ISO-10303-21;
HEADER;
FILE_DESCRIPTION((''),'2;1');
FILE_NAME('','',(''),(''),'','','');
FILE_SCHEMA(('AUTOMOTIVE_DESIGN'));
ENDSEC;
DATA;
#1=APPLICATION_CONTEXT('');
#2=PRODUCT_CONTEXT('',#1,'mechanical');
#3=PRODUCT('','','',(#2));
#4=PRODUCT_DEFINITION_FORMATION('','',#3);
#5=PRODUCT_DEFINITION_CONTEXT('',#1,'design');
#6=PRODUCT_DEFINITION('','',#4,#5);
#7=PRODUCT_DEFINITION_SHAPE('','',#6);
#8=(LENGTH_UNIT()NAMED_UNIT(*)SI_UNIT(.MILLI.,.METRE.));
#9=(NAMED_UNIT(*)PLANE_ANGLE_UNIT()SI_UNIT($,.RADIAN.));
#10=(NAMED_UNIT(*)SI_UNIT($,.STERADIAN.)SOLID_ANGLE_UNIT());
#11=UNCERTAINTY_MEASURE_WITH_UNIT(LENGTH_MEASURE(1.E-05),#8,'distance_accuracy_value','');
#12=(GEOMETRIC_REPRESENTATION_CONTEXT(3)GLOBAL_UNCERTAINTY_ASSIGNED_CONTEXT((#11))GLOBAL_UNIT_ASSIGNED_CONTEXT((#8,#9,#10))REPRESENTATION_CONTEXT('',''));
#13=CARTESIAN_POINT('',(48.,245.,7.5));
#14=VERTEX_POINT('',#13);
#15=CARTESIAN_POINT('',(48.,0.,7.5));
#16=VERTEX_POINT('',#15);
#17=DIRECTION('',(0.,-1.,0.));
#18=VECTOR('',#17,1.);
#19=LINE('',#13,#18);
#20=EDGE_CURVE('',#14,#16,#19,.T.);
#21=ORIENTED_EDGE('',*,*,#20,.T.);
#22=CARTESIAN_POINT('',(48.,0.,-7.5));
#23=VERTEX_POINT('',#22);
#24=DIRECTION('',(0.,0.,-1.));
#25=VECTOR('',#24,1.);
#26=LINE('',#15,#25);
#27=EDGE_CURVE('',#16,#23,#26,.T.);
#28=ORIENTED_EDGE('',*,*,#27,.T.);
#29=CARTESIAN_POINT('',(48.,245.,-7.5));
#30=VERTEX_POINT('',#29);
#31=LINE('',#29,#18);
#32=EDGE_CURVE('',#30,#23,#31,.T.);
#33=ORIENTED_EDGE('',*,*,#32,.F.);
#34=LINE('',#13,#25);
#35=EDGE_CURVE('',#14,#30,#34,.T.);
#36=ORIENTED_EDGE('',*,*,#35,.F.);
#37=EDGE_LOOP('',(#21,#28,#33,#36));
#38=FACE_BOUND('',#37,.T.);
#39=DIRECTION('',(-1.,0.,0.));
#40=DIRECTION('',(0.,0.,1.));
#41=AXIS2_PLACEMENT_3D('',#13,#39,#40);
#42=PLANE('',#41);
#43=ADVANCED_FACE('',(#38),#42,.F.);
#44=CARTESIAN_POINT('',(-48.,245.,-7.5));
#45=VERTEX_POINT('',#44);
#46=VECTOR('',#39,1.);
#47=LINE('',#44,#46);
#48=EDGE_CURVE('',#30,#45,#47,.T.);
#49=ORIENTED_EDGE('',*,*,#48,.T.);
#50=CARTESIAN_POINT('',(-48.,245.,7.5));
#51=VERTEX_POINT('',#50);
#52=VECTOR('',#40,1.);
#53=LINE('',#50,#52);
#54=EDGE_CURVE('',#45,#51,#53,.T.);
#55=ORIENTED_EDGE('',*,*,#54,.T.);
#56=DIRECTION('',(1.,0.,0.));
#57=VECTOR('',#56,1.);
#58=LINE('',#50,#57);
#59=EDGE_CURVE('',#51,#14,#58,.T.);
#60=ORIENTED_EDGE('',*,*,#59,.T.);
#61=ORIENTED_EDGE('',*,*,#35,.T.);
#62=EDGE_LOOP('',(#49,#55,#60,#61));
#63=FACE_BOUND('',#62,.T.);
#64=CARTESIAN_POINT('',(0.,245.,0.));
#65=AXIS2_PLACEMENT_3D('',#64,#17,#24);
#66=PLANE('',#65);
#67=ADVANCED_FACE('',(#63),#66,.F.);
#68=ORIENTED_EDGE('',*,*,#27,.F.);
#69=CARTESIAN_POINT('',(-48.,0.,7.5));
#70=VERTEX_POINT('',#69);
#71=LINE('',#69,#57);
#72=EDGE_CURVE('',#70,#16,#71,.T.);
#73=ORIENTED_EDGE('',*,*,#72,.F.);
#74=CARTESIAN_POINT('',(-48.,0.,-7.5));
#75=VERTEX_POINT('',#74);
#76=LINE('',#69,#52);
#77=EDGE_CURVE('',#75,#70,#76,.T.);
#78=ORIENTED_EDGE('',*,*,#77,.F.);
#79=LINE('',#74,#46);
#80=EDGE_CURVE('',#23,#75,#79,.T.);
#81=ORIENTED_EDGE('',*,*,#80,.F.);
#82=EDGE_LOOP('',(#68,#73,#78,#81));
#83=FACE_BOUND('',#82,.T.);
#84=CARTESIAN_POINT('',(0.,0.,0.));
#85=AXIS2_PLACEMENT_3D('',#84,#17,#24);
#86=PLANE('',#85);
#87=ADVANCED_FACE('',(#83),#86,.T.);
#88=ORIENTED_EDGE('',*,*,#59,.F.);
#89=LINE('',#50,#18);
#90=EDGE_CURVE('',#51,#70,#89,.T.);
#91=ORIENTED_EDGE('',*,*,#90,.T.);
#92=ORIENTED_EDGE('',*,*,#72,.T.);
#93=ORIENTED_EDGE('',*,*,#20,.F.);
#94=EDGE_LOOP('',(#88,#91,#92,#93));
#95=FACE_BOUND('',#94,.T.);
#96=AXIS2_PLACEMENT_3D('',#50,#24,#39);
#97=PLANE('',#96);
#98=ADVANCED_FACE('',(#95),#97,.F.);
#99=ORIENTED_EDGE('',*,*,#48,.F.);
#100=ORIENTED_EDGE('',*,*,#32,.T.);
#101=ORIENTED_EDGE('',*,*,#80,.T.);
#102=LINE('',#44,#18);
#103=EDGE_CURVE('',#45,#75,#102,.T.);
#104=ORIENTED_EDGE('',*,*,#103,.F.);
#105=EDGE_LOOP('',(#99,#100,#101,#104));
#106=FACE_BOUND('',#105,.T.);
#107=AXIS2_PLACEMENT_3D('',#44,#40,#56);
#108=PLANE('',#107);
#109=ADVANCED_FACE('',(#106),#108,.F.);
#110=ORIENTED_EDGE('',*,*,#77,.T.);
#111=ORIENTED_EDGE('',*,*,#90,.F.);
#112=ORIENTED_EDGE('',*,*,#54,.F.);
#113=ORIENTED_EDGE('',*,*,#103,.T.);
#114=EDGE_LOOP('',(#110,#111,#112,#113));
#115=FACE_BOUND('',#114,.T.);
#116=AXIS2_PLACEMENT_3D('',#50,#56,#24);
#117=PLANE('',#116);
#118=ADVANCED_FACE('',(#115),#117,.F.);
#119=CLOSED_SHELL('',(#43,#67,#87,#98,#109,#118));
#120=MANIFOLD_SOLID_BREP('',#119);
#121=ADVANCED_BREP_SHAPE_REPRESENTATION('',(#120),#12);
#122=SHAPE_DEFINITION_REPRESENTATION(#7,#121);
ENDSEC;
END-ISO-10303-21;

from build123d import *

# Parameters (mm, degrees)
SKETCH1_W           = 96
SKETCH1_H           = 15
BOSS_EXTRUDE1_DEPTH = 245


with BuildPart() as part:
    # Sketch1 → Boss-Extrude1 (new body)
    with BuildSketch(Plane(origin=(0, 0, 0), x_dir=(1, 0, 0), z_dir=(0, 1, 0))):
        Rectangle(SKETCH1_W, SKETCH1_H)
    extrude(amount=BOSS_EXTRUDE1_DEPTH)


solid = part.part
